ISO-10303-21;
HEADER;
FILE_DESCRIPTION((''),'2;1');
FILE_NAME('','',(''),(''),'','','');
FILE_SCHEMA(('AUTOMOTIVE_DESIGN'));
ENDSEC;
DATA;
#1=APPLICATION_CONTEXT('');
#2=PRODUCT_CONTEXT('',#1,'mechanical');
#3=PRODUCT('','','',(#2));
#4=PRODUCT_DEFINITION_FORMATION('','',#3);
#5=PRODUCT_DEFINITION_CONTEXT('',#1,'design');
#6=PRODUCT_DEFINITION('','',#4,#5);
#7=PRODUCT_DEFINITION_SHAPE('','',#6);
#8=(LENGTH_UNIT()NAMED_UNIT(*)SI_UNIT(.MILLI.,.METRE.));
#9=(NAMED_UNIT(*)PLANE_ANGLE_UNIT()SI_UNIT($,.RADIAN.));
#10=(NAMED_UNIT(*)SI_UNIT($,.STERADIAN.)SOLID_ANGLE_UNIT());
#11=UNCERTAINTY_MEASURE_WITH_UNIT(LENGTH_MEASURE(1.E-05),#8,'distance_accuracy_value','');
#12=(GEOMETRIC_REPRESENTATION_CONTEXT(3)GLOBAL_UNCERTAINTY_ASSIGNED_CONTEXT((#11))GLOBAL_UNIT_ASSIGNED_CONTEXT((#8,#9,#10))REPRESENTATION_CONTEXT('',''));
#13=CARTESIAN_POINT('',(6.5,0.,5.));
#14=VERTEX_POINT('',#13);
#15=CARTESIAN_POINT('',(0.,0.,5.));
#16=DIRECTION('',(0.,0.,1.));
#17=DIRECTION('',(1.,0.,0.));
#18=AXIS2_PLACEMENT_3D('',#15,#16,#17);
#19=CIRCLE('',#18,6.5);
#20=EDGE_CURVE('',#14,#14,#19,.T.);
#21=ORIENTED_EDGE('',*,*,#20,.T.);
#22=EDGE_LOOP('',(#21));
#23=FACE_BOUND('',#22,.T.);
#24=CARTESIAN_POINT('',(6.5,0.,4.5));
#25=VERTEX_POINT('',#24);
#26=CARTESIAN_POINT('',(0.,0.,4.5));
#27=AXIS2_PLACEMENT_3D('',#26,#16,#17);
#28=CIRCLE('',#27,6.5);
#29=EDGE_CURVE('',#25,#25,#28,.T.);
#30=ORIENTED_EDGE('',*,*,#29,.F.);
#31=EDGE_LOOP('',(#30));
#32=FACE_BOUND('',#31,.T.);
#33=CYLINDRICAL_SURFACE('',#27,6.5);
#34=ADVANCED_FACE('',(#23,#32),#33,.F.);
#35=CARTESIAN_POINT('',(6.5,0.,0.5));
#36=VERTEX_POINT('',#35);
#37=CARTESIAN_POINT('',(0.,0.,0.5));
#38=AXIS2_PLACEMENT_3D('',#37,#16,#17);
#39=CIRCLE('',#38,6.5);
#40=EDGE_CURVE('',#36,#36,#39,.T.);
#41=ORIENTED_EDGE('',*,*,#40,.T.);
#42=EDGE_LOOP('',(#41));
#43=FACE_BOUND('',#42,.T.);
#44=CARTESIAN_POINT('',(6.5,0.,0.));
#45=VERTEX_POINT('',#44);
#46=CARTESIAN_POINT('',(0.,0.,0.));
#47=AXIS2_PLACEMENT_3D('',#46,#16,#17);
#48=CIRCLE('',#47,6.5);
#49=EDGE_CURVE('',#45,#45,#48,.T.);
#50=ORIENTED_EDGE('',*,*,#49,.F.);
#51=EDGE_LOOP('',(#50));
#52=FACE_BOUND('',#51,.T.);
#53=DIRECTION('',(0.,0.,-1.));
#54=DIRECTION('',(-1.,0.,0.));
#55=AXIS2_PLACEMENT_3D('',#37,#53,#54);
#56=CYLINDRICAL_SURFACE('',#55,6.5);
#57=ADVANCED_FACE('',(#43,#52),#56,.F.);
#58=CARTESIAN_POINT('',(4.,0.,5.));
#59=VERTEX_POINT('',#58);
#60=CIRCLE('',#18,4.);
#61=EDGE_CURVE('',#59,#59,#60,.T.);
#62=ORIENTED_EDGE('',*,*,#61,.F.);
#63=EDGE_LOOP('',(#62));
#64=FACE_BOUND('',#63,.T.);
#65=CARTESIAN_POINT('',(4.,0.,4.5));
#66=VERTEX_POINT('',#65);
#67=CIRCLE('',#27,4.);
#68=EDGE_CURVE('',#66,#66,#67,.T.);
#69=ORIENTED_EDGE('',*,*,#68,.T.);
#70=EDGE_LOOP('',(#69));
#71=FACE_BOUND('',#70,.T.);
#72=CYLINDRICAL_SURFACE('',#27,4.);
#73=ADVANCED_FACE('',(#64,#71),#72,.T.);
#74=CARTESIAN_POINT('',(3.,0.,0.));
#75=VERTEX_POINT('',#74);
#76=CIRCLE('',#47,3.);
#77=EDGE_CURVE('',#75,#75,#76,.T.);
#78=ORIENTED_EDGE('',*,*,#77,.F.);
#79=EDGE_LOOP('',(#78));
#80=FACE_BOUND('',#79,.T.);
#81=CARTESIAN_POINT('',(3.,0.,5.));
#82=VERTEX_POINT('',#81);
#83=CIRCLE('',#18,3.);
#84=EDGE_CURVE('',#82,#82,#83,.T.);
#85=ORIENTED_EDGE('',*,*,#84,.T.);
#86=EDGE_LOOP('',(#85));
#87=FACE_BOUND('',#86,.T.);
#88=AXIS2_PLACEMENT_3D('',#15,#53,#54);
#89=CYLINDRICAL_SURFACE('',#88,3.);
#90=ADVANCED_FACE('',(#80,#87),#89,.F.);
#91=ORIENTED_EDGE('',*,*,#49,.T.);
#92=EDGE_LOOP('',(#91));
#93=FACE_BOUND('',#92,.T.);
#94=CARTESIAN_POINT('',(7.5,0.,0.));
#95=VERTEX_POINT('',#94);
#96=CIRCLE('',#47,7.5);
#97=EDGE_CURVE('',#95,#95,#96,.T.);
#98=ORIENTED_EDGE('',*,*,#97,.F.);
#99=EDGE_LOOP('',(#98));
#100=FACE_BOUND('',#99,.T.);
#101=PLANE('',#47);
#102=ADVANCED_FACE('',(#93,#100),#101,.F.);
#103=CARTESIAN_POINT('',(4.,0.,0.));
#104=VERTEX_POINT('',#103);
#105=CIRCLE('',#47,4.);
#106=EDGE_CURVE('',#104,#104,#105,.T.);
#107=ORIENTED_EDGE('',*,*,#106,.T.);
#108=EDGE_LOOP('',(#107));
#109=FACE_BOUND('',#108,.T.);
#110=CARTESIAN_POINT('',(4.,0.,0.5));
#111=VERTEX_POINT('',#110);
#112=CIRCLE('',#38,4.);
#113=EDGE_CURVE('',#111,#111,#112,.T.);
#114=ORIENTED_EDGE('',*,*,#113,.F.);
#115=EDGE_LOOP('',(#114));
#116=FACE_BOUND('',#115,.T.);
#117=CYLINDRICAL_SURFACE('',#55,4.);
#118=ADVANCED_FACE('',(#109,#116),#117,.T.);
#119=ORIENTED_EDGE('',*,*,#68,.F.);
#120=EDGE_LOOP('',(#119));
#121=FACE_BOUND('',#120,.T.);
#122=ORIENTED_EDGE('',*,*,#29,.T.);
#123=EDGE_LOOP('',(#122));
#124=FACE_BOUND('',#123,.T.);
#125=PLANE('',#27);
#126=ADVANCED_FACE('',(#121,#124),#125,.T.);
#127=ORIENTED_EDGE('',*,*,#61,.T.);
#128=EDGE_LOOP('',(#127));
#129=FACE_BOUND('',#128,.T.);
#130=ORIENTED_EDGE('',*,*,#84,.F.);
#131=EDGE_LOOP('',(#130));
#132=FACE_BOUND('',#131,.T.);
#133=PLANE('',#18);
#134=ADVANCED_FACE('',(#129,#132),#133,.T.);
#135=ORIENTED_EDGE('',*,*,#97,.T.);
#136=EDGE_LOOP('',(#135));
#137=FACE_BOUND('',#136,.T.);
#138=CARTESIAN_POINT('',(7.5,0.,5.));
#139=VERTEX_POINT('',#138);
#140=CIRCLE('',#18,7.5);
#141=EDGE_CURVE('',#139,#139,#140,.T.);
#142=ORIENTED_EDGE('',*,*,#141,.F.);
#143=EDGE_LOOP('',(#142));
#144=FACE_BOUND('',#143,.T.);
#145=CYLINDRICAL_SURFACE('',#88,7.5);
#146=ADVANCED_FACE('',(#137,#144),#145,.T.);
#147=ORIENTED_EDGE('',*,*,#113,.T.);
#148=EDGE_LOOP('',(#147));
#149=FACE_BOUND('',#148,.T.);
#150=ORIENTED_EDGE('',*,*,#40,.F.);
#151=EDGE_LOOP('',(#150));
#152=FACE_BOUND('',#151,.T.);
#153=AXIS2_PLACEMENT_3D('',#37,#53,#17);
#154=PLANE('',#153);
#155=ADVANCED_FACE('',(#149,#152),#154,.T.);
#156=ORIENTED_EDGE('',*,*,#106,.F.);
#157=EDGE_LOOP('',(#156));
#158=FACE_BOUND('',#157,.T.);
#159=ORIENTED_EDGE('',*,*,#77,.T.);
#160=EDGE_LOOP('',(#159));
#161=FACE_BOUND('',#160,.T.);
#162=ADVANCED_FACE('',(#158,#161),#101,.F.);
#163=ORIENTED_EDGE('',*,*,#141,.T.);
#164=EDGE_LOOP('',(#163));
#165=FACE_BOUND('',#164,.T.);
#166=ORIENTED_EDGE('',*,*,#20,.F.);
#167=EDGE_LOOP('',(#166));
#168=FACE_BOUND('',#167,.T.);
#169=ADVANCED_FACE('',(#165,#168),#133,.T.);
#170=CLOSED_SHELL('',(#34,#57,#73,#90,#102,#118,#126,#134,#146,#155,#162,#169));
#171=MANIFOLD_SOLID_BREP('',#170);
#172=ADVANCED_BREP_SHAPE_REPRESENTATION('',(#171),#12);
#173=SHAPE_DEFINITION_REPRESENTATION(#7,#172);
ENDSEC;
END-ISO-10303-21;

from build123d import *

# Parameters (mm, degrees)
ESQUISSE1_R             = 7.5
ESQUISSE1_R_2           = 3
BOSS_EXTRU_1_DEPTH      = 5
ESQUISSE2_R             = 6.5
ESQUISSE2_R_2           = 4
ENL_V_MAT_EXTRU_1_DEPTH = 0.5


with BuildPart() as part:
    # Esquisse1 → Boss.-Extru.1 (new body)
    with BuildSketch(Plane.XY):
        Circle(ESQUISSE1_R)
        Circle(ESQUISSE1_R_2, mode=Mode.SUBTRACT)
    extrude(amount=BOSS_EXTRU_1_DEPTH)

    # Esquisse2 → Enlèv. mat.-Extru.1 (cut)
    with BuildSketch(Plane.XY.offset(5)):
        Circle(ESQUISSE2_R)
        Circle(ESQUISSE2_R_2, mode=Mode.SUBTRACT)
    enl_v_mat_extru_1 = extrude(amount=-ENL_V_MAT_EXTRU_1_DEPTH, mode=Mode.SUBTRACT)

    # Symétrie2: Enlèv. mat.-Extru.1 across plane
    add(enl_v_mat_extru_1.mirror(Plane(origin=(0, 0, 2.5), x_dir=(1, 0, 0), z_dir=(0, 0, -1))), mode=Mode.SUBTRACT)


solid = part.part
